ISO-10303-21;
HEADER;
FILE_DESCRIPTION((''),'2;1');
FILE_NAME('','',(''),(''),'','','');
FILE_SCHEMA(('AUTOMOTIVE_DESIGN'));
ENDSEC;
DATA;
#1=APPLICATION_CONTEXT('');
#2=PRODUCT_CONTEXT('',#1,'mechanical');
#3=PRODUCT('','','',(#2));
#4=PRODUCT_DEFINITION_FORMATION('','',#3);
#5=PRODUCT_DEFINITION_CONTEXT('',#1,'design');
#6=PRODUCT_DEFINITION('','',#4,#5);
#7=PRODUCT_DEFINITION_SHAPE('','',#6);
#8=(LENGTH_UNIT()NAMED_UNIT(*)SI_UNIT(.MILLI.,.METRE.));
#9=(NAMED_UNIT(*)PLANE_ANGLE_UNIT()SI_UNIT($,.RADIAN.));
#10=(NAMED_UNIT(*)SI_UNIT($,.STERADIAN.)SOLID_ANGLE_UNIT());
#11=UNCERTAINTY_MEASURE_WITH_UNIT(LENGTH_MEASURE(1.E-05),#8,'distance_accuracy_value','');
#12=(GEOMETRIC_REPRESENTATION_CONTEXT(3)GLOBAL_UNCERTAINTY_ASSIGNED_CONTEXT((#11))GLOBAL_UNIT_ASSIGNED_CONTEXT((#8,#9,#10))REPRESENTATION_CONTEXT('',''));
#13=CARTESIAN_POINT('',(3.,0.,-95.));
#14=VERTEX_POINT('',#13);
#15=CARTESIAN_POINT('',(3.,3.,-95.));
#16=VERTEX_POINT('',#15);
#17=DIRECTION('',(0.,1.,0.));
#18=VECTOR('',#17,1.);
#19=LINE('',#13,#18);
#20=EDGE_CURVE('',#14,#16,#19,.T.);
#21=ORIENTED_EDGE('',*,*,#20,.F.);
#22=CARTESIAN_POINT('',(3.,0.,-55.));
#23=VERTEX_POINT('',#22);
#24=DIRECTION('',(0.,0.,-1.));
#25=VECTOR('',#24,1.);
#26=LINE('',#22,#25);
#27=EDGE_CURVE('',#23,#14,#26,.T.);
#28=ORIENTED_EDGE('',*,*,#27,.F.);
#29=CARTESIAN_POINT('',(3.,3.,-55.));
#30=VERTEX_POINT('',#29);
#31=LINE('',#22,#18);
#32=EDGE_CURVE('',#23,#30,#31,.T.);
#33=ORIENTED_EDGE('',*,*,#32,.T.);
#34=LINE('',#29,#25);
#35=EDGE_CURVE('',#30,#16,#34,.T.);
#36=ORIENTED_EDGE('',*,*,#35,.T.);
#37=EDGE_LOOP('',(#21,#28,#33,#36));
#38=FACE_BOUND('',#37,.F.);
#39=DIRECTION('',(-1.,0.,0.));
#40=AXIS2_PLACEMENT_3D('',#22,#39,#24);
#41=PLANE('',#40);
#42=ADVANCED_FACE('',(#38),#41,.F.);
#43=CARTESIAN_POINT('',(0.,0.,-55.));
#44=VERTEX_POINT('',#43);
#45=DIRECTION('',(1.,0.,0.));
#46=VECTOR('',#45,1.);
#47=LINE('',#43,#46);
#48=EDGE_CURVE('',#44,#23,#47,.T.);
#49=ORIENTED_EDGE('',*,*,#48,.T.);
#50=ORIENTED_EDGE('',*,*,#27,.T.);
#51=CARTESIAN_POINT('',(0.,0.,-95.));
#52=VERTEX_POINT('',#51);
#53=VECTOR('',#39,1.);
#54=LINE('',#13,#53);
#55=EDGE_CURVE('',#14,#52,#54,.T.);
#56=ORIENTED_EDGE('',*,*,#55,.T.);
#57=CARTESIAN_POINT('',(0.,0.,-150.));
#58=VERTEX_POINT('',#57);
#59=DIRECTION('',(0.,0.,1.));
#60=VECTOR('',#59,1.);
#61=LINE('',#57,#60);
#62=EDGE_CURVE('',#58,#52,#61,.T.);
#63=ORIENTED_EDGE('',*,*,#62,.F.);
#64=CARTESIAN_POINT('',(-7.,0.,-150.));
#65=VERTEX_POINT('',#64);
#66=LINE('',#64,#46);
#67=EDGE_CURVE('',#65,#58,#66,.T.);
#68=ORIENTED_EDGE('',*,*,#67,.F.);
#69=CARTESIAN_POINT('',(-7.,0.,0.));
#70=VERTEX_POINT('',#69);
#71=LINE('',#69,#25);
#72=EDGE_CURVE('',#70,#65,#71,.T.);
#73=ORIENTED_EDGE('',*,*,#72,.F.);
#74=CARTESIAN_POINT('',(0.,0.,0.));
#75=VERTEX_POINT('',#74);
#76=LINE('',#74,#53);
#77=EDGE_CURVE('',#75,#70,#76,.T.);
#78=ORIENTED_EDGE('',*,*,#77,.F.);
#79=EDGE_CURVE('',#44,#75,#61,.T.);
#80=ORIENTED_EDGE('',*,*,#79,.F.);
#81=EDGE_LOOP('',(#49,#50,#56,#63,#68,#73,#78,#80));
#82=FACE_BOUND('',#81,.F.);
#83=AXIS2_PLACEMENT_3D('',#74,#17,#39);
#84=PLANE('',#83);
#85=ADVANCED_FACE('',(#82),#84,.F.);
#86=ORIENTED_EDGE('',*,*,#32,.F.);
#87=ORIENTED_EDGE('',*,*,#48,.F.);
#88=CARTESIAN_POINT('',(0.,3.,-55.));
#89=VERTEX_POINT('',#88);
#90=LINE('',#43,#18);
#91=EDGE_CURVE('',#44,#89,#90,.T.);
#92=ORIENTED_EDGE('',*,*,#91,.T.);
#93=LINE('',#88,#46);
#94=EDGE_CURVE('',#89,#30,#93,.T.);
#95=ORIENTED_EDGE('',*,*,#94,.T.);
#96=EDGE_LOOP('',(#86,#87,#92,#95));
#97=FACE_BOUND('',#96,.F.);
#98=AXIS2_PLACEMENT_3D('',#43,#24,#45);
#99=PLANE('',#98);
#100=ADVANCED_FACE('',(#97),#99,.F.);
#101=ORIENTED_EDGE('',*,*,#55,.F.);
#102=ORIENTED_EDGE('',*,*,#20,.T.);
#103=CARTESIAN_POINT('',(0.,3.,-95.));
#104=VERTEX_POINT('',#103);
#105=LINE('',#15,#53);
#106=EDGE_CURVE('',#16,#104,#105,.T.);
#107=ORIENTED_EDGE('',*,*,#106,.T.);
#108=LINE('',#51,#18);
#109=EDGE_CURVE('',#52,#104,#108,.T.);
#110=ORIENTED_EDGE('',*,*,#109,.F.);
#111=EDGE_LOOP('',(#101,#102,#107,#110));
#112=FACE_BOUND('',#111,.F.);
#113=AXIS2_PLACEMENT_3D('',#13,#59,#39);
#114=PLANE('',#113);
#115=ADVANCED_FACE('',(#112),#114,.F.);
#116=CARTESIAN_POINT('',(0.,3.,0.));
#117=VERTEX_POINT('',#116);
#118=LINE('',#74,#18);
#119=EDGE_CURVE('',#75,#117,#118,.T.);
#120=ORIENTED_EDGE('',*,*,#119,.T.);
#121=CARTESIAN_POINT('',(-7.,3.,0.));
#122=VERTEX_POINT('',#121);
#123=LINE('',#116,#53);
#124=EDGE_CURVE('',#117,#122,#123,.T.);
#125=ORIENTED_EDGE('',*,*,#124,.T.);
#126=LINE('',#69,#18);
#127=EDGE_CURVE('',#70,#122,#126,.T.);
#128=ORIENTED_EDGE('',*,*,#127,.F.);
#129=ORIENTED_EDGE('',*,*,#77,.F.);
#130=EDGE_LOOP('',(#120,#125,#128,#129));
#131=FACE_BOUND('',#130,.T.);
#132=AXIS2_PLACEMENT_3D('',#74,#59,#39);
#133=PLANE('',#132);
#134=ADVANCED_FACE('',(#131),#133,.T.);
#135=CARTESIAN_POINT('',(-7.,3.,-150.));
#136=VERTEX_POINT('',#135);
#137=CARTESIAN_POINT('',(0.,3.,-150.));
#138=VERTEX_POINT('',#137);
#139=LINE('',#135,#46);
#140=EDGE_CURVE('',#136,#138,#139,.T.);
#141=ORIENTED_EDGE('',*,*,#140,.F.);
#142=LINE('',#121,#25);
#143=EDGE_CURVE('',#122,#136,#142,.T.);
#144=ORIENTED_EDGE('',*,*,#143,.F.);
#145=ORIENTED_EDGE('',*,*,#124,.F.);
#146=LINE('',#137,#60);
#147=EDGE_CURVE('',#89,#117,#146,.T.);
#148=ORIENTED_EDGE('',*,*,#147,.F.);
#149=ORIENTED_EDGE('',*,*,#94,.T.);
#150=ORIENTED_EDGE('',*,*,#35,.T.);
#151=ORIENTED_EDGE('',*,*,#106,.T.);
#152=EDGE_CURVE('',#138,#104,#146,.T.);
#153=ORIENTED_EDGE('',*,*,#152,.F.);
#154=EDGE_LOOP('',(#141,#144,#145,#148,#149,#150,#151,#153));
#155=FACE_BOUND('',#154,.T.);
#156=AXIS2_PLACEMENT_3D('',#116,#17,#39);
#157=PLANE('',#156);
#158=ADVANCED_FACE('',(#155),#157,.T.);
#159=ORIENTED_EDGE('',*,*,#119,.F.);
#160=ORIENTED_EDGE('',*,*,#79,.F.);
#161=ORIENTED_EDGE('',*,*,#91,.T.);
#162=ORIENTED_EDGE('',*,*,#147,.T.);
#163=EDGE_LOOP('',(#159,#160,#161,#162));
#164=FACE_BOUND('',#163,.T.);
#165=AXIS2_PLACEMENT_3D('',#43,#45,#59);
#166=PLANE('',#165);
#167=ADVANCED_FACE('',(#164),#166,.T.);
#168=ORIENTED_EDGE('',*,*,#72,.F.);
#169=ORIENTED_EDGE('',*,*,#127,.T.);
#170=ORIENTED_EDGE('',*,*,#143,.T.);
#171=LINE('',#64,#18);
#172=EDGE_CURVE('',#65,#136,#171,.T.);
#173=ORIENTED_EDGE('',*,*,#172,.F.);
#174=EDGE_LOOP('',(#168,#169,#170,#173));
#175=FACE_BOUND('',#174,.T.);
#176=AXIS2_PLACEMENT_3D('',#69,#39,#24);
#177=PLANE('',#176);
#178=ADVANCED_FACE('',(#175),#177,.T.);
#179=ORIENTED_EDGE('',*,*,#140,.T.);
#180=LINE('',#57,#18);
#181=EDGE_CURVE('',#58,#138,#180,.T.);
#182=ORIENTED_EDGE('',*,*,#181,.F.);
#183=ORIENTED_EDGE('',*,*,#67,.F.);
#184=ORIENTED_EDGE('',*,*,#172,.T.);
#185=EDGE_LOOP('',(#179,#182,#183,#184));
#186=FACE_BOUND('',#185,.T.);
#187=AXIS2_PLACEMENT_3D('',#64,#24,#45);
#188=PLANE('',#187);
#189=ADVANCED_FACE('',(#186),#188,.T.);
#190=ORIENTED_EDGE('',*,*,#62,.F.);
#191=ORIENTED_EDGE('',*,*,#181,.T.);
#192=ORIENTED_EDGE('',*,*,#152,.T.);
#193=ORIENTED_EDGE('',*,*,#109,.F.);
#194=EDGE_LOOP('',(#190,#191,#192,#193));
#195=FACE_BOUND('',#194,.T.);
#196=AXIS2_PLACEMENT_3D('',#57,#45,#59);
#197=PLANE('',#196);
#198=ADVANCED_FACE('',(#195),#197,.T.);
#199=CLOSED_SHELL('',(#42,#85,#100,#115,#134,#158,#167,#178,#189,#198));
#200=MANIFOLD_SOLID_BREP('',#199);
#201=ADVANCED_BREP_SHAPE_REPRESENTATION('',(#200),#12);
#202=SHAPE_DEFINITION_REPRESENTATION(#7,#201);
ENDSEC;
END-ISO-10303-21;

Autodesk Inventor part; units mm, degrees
ref_plane "YZ Plane" through (0, 0, 0) normal (1, 0, 0) x (0, 1, 0)
ref_plane "XZ Plane" through (0, 0, 0) normal (0, 1, 0) x (-1, 0, 0)
ref_plane "XY Plane" through (0, 0, 0) normal (0, 0, 1) x (1, 0, 0)
sketch "Sketch1" plane through (0, 0, 0) normal (0, 1, 0) x (-1, 0, 0)
  line L0 (0, 0) -> (7, 0)
  line L1 (7, 0) -> (7, -150)
  line L2 (7, -150) -> (0, -150)
  line L3 (0, -150) -> (0, 0)
  line L4 (0, -55) -> (-3, -55)
  line L5 (-3, -55) -> (-3, -95)
  line L6 (-3, -95) -> (0, -95)
  line L7 (0, -95) -> (0, -55)
  line L8 (7, -75) -> (0, -75) construction
  line L9 (-3, -75) -> (0, -75) construction
  point P0 (0, -95)
  dimension "d0" = 150
  dimension "d1" = 3
  dimension "d2" = 40
  dimension "d3" = 7
extrude "Extrusion1" add sketch "Sketch1" along normal blind 3
properties part number "Lateral Potentiometers"
